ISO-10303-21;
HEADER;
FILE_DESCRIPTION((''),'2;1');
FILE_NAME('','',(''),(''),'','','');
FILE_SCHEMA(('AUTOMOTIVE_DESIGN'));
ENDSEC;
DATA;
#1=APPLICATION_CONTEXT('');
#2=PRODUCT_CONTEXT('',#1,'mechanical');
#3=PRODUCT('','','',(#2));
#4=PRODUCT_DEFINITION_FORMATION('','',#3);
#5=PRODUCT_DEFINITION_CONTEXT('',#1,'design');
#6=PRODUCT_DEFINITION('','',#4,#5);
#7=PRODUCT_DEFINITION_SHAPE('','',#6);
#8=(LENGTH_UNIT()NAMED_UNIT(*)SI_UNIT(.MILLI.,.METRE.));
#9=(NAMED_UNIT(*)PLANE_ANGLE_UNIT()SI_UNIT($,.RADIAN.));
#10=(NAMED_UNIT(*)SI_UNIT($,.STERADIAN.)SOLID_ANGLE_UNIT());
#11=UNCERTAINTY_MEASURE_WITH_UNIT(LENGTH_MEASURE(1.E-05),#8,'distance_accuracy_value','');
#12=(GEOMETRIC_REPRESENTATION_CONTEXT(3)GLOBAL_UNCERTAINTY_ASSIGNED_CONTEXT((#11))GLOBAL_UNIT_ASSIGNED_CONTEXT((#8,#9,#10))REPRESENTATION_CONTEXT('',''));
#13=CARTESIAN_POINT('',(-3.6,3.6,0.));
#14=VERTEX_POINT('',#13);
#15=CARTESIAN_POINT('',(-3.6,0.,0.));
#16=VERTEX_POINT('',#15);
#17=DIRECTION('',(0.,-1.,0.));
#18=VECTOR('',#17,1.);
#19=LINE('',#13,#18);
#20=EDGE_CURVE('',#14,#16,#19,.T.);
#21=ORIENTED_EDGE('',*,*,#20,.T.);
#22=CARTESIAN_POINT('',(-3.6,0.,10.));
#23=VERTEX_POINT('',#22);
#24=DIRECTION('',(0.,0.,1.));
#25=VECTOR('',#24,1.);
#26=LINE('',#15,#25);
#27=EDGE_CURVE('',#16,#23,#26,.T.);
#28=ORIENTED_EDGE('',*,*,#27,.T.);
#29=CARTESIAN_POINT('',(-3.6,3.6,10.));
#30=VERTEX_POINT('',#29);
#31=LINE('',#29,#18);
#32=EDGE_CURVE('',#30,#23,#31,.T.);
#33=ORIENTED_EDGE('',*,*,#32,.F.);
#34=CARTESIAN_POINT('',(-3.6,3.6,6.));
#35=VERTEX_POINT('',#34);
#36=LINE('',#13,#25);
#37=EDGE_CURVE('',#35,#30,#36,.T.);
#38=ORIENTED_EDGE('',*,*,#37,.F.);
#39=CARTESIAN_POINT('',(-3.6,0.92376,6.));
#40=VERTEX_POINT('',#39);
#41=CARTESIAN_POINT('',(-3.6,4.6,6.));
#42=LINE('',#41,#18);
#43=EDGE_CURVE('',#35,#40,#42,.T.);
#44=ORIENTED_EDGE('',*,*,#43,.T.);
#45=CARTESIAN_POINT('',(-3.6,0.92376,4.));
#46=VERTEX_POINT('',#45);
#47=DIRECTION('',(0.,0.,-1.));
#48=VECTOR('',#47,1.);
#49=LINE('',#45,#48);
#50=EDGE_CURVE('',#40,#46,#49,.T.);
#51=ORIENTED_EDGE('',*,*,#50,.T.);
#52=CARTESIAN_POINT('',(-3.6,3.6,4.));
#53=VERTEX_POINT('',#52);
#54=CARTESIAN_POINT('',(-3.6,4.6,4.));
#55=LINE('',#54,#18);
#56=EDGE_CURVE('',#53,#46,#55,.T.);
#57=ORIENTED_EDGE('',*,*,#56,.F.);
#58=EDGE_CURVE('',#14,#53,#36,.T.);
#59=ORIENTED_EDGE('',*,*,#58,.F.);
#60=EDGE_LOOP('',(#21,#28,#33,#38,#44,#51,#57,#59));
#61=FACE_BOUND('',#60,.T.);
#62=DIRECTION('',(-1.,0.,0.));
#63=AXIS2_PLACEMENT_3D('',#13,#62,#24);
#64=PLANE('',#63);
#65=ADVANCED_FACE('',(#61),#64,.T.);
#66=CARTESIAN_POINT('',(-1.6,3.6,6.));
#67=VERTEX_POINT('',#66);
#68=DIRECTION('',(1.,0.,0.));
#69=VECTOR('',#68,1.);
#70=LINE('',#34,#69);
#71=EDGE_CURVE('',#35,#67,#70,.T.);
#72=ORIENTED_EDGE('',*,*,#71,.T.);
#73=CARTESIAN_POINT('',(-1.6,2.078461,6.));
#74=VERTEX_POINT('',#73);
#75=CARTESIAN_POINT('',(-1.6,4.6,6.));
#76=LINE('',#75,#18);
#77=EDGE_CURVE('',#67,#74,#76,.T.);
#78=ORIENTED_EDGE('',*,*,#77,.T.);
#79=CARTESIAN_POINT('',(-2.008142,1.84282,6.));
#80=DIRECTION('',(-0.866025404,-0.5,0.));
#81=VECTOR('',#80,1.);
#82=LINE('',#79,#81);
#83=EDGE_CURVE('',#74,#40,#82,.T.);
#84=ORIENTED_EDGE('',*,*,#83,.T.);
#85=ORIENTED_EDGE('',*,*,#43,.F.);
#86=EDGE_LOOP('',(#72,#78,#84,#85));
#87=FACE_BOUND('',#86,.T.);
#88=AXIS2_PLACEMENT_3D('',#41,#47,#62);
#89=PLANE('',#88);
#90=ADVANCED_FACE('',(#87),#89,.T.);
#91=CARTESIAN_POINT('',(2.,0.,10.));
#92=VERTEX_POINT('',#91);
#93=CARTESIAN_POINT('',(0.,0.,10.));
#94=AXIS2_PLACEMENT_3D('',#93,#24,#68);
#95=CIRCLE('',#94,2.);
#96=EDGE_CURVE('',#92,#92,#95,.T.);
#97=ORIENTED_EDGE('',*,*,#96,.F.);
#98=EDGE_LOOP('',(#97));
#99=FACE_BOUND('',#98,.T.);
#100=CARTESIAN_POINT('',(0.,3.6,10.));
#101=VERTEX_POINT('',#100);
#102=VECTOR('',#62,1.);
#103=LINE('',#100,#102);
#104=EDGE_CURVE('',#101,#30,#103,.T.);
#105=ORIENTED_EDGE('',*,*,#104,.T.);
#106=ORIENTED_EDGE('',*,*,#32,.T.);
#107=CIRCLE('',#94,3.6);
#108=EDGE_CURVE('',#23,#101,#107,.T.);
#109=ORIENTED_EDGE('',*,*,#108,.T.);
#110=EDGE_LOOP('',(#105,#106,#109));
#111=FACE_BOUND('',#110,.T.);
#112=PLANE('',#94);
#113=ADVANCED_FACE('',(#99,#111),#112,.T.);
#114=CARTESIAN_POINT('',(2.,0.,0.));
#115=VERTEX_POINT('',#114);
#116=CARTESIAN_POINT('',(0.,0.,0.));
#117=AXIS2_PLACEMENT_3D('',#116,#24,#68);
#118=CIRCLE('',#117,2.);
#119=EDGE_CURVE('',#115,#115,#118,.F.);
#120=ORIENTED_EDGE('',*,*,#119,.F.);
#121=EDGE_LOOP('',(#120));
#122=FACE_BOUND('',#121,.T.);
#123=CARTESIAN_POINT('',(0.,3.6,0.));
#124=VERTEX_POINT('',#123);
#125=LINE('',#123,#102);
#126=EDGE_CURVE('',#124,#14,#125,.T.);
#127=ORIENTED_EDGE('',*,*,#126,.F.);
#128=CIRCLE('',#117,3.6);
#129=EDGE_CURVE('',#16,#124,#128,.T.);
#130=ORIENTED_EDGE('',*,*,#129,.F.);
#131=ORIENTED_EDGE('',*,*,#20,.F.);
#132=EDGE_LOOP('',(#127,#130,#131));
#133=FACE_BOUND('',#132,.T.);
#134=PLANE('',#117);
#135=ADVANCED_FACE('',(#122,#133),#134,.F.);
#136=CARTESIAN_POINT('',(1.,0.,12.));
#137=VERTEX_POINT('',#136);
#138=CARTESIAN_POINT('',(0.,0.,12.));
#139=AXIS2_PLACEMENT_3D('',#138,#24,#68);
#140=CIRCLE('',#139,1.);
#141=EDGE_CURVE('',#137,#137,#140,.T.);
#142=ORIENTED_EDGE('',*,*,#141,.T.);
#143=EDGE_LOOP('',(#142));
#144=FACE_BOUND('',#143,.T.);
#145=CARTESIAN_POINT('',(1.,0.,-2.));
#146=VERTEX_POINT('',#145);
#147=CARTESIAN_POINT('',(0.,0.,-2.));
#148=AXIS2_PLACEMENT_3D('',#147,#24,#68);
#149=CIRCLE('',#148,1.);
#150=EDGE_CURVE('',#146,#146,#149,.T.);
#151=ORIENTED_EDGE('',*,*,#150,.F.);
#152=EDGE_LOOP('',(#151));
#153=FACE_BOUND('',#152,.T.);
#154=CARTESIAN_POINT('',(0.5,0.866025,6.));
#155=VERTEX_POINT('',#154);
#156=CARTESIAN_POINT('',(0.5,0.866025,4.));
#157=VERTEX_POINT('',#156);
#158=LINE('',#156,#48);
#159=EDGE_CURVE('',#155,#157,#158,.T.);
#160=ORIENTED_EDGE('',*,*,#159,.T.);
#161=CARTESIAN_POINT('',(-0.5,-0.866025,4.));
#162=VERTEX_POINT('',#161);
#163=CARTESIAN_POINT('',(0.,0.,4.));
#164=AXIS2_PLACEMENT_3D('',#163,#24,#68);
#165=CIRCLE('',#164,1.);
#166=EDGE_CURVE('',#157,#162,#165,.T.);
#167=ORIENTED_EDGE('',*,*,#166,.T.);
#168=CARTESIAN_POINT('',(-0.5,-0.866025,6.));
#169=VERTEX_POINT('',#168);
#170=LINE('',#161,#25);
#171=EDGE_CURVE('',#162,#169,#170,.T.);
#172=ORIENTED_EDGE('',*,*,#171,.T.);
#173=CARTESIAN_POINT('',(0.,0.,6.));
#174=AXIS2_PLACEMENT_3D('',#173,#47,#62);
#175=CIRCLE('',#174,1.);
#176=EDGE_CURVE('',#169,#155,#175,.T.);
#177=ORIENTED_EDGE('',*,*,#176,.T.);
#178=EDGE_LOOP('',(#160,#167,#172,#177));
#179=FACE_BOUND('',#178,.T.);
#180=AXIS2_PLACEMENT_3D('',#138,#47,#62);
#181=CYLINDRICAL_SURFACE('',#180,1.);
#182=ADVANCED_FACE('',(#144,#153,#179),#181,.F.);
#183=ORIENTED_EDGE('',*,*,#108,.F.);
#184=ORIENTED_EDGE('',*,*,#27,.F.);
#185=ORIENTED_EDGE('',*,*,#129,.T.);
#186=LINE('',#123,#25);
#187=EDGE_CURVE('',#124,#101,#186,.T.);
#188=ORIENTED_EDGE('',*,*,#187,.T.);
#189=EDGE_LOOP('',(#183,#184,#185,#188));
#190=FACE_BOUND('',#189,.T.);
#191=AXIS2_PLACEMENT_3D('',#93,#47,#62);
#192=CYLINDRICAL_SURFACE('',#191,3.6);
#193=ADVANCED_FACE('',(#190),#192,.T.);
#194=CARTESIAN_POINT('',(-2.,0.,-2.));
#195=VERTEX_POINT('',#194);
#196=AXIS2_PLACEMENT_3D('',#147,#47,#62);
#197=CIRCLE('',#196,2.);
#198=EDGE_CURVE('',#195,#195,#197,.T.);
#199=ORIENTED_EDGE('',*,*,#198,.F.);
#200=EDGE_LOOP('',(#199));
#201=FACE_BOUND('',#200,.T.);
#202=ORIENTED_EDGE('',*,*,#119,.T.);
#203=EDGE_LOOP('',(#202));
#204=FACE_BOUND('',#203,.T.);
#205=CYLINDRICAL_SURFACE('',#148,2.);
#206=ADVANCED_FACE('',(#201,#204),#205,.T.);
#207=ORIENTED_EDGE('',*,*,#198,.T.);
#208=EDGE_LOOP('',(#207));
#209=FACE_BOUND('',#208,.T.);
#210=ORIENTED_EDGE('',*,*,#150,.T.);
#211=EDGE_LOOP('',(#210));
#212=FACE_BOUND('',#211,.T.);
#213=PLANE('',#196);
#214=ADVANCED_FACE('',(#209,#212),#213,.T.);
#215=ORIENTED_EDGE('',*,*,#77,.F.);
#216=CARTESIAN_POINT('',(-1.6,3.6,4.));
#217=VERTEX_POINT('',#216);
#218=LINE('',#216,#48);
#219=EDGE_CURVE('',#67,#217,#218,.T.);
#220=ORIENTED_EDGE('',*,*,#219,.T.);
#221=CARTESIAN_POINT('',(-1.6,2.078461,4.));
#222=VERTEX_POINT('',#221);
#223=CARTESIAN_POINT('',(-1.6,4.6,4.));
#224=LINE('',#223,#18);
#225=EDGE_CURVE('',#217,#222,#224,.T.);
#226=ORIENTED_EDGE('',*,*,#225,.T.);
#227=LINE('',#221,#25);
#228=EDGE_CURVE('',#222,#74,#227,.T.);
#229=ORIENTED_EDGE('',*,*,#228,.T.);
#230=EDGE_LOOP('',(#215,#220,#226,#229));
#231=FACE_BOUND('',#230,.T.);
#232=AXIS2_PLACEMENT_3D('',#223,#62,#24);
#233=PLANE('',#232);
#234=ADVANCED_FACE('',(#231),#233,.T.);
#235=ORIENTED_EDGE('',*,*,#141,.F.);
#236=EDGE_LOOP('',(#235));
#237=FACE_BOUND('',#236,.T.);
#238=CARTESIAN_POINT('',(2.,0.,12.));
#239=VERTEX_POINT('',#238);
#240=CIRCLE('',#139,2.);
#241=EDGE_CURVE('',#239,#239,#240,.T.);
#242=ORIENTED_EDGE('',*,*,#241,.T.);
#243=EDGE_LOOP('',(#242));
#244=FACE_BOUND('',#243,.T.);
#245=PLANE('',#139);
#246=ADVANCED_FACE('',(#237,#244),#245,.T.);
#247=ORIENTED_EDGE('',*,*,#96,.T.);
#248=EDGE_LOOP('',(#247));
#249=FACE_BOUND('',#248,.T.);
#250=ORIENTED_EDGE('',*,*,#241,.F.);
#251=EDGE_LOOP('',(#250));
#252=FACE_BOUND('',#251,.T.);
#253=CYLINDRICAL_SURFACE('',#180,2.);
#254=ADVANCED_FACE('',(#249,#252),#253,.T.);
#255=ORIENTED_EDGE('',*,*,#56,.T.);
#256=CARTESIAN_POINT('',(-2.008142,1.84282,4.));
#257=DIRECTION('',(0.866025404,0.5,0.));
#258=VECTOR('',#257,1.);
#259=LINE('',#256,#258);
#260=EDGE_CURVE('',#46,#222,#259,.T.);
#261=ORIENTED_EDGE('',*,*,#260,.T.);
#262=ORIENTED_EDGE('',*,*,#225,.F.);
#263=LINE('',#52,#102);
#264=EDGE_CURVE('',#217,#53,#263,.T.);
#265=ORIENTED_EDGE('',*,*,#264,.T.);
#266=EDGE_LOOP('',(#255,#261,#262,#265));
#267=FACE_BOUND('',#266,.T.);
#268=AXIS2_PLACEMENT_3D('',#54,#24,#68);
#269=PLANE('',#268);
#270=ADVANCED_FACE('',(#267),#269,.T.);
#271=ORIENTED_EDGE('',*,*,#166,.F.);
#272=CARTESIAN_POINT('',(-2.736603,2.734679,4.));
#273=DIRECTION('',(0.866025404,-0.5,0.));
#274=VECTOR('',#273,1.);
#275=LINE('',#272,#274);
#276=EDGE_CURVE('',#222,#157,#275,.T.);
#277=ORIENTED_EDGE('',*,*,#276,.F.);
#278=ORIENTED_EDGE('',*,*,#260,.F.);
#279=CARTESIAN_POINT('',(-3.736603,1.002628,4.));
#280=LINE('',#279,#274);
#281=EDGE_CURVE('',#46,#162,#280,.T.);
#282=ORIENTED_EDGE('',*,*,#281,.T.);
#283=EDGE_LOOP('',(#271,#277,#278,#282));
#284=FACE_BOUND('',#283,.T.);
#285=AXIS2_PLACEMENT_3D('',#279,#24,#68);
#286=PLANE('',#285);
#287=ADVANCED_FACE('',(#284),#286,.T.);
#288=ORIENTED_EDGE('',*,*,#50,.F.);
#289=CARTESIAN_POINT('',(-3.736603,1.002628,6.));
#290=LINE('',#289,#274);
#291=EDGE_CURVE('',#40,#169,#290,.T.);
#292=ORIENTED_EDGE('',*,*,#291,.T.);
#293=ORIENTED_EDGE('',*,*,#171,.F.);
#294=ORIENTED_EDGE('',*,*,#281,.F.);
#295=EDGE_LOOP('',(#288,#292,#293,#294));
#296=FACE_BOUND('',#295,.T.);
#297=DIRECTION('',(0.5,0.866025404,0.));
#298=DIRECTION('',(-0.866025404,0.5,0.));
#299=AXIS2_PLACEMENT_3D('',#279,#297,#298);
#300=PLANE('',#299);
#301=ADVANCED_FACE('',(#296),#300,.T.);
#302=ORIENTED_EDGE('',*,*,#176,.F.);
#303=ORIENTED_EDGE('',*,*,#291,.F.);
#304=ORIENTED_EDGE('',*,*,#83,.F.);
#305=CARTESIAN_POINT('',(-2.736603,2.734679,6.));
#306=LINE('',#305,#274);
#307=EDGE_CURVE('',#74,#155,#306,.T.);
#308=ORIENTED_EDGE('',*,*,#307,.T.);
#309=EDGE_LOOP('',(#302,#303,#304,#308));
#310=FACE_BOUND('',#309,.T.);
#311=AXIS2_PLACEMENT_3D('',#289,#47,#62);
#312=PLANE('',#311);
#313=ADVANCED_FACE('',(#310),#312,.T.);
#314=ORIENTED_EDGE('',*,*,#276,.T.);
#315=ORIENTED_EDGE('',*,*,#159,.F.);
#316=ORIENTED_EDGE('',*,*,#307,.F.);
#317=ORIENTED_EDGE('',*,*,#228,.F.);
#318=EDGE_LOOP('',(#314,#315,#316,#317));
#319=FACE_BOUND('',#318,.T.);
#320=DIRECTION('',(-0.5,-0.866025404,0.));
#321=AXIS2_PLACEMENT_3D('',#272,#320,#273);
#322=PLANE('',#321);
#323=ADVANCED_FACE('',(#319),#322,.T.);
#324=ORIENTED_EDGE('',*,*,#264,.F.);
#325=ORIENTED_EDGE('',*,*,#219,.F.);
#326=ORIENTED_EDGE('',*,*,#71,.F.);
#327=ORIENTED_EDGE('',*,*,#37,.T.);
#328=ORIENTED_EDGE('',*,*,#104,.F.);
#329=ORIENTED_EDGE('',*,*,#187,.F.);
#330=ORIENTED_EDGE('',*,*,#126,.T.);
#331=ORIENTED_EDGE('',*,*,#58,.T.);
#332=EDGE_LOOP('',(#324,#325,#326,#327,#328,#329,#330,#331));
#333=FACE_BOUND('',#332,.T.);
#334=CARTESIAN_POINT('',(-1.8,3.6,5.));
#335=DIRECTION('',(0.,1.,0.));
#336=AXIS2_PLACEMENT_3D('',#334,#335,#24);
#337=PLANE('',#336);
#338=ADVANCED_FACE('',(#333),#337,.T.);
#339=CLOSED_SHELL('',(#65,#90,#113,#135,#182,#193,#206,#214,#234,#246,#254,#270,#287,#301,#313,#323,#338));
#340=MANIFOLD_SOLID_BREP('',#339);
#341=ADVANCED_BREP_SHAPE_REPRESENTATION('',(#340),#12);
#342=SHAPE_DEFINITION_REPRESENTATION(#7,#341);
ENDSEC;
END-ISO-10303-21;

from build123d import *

# Parameters (mm, degrees)
SKETCH_1_R               = 3.6
EXTRUDE_1_DEPTH          = 10
SKETCH_2_R               = 2
SKETCH_2_R_2             = 1
EXTRUDE_2_DEPTH          = 2
SKETCH_4_R               = 2
EXTRUDE_3_DEPTH          = 2
SKETCH_5_R               = 1.8
EXTRUDE_4_DEPTH          = 3.6
SKETCH_2_3_R             = 1
CUT_EXTRUDE_2_DEPTH      = 3
CUT_EXTRUDE_2_DEPTH_BACK = 13
EXTRUDE_5_DEPTH          = 10
SKETCH_10_W              = 2
SKETCH_10_H              = 2


with BuildPart() as part:
    # Sketch 1 → Extrude 1 (new body)
    with BuildSketch(Plane.XY):
        Circle(SKETCH_1_R)
    extrude(amount=EXTRUDE_1_DEPTH)

    # Sketch 2 → Extrude 2 (add)
    with BuildSketch(Plane.XY.offset(10)):
        Circle(SKETCH_2_R)
        Circle(SKETCH_2_R_2, mode=Mode.SUBTRACT)
    extrude(amount=EXTRUDE_2_DEPTH)

    # Sketch 4 → Extrude 3 (add)
    with BuildSketch(Plane(origin=(0, 0, 0), x_dir=(-1, 0, 0), z_dir=(0, 0, -1))):
        with Locations(Location((0, 0, 0), (0, 0, 180))):  # turned: the seam where the file's is
            Circle(SKETCH_4_R)
    extrude(amount=EXTRUDE_3_DEPTH)

    # Sketch 5 → Extrude 4 (add)
    with BuildSketch(Plane(origin=(0, 0, 0), x_dir=(1, 0, 0), z_dir=(0, 1, 0))):
        with Locations((-1.8, -5)):
            Circle(SKETCH_5_R)
    extrude(amount=EXTRUDE_4_DEPTH)

    # Sketch 2_3 → Cut-Extrude 2 (cut, two sides)
    with BuildSketch(Plane.XY.offset(10)) as cut_extrude_2_sk:
        Circle(SKETCH_2_3_R)
    extrude(amount=CUT_EXTRUDE_2_DEPTH, mode=Mode.SUBTRACT)
    extrude(cut_extrude_2_sk.sketch, amount=-CUT_EXTRUDE_2_DEPTH_BACK, mode=Mode.SUBTRACT)

    # Sketch 8 → Extrude 5 (add)
    with BuildSketch(Plane.XY.offset(10)):
        Polygon((0, 3.6), (-3.6, 0), (-3.6, 3.6), align=None)
    extrude(amount=-EXTRUDE_5_DEPTH)

    # Sweep 1: sweep along a path in Sketch 11
    with BuildLine(Plane.XY.offset(5)) as sweep_1_path:
        Line((-2.6, 3.6), (-2.6, 1.5011107))
        Line((-2.6, 1.5011107), (0, 0))
    # Sketch 10 → Sweep 1 (sweep, cut)
    with BuildSketch(Plane(origin=(0, 3.6, 0), x_dir=(1, 0, 0), z_dir=(0, 1, 0))):
        with Locations((-2.6, -5)):
            Rectangle(SKETCH_10_W, SKETCH_10_H)
    sweep(path=sweep_1_path.line, transition=Transition.RIGHT, mode=Mode.SUBTRACT)


solid = part.part
